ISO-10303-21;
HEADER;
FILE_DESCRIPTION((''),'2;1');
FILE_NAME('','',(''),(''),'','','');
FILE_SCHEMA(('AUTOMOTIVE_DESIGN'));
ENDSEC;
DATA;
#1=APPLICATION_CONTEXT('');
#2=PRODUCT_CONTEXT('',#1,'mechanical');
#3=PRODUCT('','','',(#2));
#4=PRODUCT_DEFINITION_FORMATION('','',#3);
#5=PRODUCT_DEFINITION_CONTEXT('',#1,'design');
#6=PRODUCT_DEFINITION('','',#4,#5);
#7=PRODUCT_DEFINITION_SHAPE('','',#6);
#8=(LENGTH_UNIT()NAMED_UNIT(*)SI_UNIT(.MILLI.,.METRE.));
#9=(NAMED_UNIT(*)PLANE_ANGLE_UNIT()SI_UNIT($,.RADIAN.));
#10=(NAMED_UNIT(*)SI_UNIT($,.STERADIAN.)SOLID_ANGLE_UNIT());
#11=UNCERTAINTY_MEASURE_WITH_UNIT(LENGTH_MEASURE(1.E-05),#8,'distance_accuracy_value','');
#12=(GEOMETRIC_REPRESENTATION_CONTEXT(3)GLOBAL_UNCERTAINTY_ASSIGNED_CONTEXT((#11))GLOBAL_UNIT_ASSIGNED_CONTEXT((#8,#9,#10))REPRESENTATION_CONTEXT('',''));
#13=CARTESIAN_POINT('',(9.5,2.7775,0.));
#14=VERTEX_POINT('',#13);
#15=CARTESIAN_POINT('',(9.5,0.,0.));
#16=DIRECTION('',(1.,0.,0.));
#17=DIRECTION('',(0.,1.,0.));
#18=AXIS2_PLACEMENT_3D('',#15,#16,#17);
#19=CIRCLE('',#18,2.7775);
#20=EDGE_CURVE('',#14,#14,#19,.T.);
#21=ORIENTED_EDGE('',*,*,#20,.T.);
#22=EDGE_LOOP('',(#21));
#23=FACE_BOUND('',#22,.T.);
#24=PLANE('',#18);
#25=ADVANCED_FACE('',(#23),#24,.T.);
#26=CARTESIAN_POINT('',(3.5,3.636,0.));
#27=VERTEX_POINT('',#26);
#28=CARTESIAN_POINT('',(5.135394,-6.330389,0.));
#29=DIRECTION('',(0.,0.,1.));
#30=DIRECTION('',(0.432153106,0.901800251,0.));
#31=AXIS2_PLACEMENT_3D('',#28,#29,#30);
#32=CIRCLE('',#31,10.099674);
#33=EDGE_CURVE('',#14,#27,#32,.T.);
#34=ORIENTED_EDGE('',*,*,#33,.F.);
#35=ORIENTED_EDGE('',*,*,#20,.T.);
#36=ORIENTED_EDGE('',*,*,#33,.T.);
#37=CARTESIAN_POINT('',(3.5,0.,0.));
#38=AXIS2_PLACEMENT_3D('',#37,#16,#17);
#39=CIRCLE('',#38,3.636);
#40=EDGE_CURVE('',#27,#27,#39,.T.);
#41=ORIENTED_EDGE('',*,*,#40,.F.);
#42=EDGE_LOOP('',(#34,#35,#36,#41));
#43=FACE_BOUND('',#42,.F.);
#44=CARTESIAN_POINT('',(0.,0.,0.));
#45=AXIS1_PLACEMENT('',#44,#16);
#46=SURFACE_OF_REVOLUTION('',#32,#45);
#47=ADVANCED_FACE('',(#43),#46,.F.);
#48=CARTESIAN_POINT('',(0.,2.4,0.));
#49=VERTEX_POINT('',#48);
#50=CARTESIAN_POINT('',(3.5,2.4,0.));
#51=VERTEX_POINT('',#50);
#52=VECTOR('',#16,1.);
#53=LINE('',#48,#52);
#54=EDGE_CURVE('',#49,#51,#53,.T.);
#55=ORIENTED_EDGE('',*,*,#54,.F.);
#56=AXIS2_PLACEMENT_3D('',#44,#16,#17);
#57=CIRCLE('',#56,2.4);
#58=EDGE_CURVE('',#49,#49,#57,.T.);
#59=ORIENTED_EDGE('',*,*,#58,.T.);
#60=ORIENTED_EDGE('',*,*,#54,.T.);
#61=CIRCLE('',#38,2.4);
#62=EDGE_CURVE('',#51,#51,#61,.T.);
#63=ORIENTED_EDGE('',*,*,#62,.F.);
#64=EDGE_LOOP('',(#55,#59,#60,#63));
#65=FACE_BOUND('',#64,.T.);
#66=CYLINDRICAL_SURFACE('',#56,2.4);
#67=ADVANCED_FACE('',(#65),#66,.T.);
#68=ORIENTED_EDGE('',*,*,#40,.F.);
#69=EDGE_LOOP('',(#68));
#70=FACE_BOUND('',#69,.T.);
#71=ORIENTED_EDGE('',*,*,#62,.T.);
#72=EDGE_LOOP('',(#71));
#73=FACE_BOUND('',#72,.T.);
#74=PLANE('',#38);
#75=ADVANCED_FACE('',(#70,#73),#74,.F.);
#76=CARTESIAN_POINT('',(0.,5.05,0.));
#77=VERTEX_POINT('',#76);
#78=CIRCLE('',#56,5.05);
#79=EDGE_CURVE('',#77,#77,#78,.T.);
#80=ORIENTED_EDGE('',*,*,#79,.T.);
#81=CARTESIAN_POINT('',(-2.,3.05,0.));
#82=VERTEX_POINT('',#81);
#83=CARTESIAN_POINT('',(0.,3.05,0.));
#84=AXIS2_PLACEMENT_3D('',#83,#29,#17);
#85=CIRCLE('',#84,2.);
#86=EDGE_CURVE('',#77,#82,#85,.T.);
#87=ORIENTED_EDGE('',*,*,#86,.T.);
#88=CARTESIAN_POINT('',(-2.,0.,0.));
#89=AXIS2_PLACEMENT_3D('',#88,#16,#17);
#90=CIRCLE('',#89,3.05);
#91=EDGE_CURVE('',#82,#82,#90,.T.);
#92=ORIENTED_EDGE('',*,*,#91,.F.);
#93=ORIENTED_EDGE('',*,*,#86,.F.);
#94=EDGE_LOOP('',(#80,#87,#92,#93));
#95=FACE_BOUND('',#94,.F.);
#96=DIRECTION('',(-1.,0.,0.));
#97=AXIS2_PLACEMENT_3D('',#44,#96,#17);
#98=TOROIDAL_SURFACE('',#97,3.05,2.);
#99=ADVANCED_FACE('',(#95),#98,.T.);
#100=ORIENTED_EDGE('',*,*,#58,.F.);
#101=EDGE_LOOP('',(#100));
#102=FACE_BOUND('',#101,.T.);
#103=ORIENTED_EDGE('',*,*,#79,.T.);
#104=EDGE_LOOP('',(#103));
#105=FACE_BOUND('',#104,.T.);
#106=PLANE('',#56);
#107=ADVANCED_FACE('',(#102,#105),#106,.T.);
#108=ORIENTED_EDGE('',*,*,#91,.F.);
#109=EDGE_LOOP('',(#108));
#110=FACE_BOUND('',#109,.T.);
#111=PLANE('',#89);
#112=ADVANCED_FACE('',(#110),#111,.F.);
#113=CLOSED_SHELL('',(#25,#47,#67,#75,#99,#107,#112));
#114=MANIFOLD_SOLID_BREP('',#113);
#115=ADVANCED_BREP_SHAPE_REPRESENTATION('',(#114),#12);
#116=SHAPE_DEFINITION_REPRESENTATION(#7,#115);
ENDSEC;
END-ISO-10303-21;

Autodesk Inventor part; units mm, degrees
ref_plane "YZ Plane" through (0, 0, 0) normal (1, 0, 0) x (0, 1, 0)
ref_plane "XZ Plane" through (0, 0, 0) normal (0, 1, 0) x (-1, 0, 0)
ref_plane "XY Plane" through (0, 0, 0) normal (0, 0, 1) x (1, 0, 0)
sketch "Sketch1" plane through (0, 0, 0) normal (0, 0, 1) x (1, 0, 0)
  line L0 (0, 0) -> (5.3851, 0)
  line L1 (-2, 0) -> (-2, 3.05)
  line L2 (0, 5.05) -> (0, 5.05)
  line L3 (0, 5.05) -> (0, 2.4)
  line L4 (0, 2.4) -> (3.5, 2.4)
  line L5 (3.5, 2.4) -> (3.5, 3.636)
  line L6 (9.5, 2.7775) -> (9.5, 0)
  line L7 (9.5, 0) -> (-2, 0)
  arc A0 (0, 5.05) -> (-2, 3.05) centre (0, 3.05) ccw
  arc A1 (9.5, 2.7775) -> (3.5, 3.636) centre (5.1353, -6.3307) ccw
  dimension "KOH" = 2
  dimension "NND" = 4.8
  dimension "KOD" = 10.1
  dimension "d21" = 2
  dimension "d22" = 5.555
  dimension "d23" = 7.272
  dimension "d27" = 6
  dimension "d28" = 10.1
  dimension "FLN" = 3.5
revolve "Revolution 1" add sketch "Sketch1" angle 360 about axis through (0, 0, 0) along (1, 0, 0)
equation "\"d21\" = KOH"
equation "\"d22\" = 0.55 * KOD"
equation "\"d23\" = 0.72 * KOD"
equation "\"d27\" = 3 * KOH"
equation "\"d28\" = KOD"
properties part number "Blind Rivet GB/T 12615.3-2004 4.8 X 9" material "Steel, Mild"
